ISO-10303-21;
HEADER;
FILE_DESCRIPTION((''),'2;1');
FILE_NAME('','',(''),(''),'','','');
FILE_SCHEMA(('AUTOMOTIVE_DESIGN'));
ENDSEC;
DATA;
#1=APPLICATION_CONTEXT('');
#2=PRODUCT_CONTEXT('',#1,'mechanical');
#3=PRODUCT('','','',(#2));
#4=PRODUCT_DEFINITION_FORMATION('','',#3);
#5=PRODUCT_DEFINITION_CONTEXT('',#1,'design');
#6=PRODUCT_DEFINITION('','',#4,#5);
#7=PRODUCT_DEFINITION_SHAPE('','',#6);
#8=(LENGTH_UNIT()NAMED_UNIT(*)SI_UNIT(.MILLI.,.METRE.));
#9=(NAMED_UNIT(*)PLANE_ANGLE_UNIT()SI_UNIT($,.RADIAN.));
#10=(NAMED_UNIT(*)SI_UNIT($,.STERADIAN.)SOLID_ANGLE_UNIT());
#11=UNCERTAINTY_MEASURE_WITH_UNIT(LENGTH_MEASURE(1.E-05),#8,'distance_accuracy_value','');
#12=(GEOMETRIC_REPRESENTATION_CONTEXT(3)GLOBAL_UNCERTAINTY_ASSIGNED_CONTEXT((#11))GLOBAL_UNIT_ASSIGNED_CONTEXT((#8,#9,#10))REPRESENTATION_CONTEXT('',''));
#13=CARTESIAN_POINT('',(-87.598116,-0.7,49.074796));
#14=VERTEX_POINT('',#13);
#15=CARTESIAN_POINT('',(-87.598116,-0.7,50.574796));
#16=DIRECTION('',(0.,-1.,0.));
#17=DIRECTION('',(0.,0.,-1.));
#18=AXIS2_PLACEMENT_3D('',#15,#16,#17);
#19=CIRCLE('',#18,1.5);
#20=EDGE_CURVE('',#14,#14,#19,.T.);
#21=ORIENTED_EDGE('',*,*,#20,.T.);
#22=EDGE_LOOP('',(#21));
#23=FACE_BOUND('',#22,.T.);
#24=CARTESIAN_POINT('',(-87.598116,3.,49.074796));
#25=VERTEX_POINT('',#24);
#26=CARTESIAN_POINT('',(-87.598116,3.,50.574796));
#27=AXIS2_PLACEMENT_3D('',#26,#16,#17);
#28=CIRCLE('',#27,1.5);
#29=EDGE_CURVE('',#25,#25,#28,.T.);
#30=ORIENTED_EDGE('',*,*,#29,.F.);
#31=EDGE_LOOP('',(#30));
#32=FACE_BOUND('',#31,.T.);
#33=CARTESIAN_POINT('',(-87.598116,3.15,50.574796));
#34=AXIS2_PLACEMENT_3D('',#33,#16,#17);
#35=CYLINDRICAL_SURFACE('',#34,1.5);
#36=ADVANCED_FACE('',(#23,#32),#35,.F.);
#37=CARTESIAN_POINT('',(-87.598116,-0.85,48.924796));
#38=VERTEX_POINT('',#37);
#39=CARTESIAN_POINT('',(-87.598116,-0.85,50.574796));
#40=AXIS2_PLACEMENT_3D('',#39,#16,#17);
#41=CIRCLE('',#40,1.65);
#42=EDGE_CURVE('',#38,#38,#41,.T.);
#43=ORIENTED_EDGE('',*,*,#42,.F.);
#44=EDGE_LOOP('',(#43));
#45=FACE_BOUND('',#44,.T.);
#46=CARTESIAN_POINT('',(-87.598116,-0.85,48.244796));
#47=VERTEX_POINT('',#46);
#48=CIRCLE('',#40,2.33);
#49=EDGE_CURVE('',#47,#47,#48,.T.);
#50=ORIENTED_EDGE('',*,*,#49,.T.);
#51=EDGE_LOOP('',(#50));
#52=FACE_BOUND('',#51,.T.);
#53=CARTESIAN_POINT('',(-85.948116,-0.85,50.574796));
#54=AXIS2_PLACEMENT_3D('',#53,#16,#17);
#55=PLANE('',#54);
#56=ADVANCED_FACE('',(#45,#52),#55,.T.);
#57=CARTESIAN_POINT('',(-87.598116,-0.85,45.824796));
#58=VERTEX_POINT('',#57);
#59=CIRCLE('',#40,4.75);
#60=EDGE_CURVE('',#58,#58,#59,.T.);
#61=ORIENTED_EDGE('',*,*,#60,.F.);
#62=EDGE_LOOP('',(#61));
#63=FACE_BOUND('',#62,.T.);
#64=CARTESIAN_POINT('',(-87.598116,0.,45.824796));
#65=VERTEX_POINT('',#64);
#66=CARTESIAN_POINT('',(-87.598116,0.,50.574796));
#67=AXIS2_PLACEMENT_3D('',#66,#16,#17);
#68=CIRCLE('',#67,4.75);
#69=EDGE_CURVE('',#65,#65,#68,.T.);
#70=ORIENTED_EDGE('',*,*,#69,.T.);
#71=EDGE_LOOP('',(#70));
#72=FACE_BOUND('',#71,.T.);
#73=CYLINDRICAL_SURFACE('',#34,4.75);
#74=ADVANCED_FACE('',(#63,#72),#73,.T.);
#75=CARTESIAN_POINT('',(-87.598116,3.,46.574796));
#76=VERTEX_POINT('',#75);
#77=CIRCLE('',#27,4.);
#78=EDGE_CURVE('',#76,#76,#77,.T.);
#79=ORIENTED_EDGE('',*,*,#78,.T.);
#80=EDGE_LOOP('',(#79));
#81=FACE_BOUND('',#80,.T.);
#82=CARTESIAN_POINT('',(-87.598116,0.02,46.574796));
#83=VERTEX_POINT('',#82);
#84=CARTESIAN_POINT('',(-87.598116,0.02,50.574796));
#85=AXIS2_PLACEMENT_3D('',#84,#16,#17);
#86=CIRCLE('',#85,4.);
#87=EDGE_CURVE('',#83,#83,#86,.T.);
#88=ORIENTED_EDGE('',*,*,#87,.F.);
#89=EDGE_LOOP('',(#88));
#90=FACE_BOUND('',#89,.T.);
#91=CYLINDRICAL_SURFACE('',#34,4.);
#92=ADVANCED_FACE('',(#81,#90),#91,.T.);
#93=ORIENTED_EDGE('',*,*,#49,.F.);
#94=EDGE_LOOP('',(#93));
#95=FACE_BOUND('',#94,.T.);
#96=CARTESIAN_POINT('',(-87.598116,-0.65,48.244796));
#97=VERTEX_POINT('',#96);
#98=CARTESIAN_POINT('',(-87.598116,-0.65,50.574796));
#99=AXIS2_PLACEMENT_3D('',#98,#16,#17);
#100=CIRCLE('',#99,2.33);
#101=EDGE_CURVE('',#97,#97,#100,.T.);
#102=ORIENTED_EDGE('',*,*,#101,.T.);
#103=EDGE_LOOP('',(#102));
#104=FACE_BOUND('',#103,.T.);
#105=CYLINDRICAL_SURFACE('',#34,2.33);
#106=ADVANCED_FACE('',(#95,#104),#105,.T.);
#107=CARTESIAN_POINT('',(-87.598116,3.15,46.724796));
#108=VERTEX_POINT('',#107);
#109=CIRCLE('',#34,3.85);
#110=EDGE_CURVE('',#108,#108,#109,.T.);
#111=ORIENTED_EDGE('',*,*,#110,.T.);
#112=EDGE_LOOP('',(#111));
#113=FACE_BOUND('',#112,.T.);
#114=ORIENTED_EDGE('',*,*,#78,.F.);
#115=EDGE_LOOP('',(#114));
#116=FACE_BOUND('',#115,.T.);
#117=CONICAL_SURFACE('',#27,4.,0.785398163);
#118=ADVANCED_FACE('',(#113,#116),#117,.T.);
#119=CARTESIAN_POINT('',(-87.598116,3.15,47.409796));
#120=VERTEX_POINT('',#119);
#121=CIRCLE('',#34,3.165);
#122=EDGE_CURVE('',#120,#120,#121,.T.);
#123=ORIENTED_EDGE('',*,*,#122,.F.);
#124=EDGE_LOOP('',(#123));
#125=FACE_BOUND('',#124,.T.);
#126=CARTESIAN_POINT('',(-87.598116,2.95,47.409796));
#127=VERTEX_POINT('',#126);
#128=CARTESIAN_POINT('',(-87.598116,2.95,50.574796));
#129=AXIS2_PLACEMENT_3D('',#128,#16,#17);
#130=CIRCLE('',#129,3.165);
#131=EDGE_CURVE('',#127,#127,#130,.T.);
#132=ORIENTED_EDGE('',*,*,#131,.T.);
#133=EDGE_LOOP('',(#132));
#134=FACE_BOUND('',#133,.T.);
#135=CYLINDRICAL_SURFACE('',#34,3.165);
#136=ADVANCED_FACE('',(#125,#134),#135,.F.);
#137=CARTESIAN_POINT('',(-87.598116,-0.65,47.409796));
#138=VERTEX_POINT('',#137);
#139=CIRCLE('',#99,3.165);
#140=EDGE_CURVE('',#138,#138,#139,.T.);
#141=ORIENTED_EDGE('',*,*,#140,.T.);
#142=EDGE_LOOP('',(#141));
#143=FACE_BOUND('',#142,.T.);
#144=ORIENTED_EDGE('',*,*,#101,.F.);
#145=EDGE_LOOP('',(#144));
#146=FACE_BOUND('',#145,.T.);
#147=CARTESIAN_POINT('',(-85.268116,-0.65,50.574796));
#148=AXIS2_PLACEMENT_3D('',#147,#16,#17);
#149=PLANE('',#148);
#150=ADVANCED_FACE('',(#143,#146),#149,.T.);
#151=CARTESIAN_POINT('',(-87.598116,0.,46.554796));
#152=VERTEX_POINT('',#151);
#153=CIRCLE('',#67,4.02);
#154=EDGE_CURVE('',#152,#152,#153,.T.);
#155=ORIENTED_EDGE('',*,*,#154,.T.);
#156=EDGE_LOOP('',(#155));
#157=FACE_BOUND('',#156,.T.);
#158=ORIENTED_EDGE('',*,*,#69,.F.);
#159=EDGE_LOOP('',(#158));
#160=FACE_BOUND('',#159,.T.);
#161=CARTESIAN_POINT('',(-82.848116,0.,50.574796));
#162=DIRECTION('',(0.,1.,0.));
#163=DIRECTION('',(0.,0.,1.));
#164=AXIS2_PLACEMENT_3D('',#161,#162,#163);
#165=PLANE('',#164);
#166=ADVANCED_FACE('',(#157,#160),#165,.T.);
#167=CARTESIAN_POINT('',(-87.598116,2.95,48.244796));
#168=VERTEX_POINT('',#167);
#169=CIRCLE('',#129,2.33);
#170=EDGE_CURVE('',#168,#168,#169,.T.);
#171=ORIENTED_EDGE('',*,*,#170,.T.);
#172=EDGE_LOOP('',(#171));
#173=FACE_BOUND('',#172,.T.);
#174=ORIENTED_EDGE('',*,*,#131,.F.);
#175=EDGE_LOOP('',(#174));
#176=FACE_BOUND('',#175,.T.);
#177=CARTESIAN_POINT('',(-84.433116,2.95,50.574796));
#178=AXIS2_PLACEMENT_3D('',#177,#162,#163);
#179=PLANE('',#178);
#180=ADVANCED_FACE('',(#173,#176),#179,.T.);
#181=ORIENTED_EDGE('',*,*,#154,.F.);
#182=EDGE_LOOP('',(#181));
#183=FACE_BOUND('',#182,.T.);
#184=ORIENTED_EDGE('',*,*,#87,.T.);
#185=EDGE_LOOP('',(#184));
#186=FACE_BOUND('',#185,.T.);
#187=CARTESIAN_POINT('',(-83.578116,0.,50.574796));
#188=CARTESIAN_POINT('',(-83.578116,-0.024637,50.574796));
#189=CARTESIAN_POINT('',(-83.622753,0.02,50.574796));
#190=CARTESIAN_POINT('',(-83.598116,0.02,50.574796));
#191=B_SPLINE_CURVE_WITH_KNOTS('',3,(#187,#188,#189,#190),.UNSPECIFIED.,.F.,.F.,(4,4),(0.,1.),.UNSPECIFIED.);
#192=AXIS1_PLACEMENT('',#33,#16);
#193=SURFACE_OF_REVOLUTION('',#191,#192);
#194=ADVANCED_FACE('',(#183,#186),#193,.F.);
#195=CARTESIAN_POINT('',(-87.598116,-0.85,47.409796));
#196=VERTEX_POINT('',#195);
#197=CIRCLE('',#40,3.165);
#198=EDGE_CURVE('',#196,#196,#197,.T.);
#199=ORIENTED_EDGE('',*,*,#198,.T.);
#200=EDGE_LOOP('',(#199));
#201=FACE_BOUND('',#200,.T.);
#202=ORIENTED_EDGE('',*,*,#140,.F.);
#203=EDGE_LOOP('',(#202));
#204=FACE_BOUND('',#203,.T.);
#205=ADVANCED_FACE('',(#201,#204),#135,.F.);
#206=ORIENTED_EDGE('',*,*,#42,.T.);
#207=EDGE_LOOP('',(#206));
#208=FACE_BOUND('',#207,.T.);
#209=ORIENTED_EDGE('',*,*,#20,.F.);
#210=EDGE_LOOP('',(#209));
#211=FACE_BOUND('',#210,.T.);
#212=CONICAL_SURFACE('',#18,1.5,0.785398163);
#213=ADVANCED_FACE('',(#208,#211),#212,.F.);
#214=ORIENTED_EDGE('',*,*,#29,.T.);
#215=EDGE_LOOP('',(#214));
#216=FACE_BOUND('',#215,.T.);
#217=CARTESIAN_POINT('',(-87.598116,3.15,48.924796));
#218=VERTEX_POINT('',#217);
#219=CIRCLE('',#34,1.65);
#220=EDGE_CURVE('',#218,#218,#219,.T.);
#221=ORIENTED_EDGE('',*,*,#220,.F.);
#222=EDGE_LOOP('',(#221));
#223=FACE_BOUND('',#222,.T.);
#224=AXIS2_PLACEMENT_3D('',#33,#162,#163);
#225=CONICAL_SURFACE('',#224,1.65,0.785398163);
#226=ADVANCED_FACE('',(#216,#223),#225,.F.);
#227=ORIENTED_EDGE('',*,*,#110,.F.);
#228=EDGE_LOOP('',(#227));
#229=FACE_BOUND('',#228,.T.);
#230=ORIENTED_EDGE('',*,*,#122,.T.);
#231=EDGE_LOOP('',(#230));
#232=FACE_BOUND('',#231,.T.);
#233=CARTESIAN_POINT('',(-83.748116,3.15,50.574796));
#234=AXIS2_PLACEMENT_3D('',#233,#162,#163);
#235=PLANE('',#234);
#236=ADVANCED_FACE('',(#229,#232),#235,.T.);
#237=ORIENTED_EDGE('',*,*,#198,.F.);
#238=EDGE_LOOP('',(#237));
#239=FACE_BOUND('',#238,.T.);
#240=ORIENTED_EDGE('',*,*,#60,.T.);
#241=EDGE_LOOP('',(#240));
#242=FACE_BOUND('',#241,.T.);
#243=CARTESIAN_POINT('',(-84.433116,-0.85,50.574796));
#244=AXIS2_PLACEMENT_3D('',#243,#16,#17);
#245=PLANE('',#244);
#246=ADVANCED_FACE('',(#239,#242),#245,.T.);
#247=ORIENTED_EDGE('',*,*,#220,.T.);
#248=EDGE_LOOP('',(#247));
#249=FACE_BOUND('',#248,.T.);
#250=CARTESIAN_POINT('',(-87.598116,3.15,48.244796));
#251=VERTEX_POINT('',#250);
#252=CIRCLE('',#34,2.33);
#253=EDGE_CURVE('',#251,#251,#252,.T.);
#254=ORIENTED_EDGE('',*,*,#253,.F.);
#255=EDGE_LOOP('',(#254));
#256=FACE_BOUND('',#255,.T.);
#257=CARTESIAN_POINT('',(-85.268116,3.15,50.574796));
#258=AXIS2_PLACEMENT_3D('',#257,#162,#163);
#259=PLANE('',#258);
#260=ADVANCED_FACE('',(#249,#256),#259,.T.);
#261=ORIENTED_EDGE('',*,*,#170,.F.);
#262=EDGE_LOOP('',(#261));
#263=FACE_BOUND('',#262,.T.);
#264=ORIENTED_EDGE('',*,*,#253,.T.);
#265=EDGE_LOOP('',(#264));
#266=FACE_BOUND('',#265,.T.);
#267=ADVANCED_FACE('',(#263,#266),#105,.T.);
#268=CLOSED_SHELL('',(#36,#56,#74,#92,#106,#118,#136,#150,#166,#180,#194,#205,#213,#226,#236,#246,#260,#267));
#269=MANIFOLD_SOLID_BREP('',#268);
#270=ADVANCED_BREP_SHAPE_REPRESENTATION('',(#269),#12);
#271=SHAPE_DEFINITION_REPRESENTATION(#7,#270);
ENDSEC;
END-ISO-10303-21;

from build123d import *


with BuildPart() as part:
    # Sketch1 → Revolve1 (revolve)
    with BuildSketch(Plane.XY.offset(50.574795706)):
        with BuildLine():
            Line((-85.268115745, -0.65), (-84.433115745, -0.65))
            Line((-84.433115745, -0.65), (-84.433115745, -0.85))
            Line((-84.433115745, -0.85), (-82.848115745, -0.85))
            Line((-82.848115745, -0.85), (-82.848115745, 0))
            Line((-82.848115745, 0), (-83.578115745, 0))
            add(Edge.make_bspline(
                [(-83.578115745, 0), (-83.578115745, -0.024636788), (-83.622752532, 0.02), (-83.598115745, 0.02)],
                knots=[0, 0, 0, 0, 1, 1, 1, 1], degree=3))
            Line((-83.598115745, 0.02), (-83.598115745, 3))
            Line((-83.598115745, 3), (-83.748115745, 3.15))
            Line((-83.748115745, 3.15), (-84.433115745, 3.15))
            Line((-84.433115745, 3.15), (-84.433115745, 2.95))
            Line((-84.433115745, 2.95), (-85.268115745, 2.95))
            Line((-85.268115745, 2.95), (-85.268115745, 3.15))
            Line((-85.268115745, 3.15), (-85.948115745, 3.15))
            Line((-85.948115745, 3.15), (-86.098115745, 3))
            Line((-86.098115745, 3), (-86.098115745, -0.7))
            Line((-86.098115745, -0.7), (-85.948115745, -0.85))
            Line((-85.948115745, -0.85), (-85.268115745, -0.85))
            Line((-85.268115745, -0.85), (-85.268115745, -0.65))
        make_face()
    revolve(axis=Axis((-87.598115745, 3.15, 50.574795706), (0, -1, 0)))


solid = part.part
